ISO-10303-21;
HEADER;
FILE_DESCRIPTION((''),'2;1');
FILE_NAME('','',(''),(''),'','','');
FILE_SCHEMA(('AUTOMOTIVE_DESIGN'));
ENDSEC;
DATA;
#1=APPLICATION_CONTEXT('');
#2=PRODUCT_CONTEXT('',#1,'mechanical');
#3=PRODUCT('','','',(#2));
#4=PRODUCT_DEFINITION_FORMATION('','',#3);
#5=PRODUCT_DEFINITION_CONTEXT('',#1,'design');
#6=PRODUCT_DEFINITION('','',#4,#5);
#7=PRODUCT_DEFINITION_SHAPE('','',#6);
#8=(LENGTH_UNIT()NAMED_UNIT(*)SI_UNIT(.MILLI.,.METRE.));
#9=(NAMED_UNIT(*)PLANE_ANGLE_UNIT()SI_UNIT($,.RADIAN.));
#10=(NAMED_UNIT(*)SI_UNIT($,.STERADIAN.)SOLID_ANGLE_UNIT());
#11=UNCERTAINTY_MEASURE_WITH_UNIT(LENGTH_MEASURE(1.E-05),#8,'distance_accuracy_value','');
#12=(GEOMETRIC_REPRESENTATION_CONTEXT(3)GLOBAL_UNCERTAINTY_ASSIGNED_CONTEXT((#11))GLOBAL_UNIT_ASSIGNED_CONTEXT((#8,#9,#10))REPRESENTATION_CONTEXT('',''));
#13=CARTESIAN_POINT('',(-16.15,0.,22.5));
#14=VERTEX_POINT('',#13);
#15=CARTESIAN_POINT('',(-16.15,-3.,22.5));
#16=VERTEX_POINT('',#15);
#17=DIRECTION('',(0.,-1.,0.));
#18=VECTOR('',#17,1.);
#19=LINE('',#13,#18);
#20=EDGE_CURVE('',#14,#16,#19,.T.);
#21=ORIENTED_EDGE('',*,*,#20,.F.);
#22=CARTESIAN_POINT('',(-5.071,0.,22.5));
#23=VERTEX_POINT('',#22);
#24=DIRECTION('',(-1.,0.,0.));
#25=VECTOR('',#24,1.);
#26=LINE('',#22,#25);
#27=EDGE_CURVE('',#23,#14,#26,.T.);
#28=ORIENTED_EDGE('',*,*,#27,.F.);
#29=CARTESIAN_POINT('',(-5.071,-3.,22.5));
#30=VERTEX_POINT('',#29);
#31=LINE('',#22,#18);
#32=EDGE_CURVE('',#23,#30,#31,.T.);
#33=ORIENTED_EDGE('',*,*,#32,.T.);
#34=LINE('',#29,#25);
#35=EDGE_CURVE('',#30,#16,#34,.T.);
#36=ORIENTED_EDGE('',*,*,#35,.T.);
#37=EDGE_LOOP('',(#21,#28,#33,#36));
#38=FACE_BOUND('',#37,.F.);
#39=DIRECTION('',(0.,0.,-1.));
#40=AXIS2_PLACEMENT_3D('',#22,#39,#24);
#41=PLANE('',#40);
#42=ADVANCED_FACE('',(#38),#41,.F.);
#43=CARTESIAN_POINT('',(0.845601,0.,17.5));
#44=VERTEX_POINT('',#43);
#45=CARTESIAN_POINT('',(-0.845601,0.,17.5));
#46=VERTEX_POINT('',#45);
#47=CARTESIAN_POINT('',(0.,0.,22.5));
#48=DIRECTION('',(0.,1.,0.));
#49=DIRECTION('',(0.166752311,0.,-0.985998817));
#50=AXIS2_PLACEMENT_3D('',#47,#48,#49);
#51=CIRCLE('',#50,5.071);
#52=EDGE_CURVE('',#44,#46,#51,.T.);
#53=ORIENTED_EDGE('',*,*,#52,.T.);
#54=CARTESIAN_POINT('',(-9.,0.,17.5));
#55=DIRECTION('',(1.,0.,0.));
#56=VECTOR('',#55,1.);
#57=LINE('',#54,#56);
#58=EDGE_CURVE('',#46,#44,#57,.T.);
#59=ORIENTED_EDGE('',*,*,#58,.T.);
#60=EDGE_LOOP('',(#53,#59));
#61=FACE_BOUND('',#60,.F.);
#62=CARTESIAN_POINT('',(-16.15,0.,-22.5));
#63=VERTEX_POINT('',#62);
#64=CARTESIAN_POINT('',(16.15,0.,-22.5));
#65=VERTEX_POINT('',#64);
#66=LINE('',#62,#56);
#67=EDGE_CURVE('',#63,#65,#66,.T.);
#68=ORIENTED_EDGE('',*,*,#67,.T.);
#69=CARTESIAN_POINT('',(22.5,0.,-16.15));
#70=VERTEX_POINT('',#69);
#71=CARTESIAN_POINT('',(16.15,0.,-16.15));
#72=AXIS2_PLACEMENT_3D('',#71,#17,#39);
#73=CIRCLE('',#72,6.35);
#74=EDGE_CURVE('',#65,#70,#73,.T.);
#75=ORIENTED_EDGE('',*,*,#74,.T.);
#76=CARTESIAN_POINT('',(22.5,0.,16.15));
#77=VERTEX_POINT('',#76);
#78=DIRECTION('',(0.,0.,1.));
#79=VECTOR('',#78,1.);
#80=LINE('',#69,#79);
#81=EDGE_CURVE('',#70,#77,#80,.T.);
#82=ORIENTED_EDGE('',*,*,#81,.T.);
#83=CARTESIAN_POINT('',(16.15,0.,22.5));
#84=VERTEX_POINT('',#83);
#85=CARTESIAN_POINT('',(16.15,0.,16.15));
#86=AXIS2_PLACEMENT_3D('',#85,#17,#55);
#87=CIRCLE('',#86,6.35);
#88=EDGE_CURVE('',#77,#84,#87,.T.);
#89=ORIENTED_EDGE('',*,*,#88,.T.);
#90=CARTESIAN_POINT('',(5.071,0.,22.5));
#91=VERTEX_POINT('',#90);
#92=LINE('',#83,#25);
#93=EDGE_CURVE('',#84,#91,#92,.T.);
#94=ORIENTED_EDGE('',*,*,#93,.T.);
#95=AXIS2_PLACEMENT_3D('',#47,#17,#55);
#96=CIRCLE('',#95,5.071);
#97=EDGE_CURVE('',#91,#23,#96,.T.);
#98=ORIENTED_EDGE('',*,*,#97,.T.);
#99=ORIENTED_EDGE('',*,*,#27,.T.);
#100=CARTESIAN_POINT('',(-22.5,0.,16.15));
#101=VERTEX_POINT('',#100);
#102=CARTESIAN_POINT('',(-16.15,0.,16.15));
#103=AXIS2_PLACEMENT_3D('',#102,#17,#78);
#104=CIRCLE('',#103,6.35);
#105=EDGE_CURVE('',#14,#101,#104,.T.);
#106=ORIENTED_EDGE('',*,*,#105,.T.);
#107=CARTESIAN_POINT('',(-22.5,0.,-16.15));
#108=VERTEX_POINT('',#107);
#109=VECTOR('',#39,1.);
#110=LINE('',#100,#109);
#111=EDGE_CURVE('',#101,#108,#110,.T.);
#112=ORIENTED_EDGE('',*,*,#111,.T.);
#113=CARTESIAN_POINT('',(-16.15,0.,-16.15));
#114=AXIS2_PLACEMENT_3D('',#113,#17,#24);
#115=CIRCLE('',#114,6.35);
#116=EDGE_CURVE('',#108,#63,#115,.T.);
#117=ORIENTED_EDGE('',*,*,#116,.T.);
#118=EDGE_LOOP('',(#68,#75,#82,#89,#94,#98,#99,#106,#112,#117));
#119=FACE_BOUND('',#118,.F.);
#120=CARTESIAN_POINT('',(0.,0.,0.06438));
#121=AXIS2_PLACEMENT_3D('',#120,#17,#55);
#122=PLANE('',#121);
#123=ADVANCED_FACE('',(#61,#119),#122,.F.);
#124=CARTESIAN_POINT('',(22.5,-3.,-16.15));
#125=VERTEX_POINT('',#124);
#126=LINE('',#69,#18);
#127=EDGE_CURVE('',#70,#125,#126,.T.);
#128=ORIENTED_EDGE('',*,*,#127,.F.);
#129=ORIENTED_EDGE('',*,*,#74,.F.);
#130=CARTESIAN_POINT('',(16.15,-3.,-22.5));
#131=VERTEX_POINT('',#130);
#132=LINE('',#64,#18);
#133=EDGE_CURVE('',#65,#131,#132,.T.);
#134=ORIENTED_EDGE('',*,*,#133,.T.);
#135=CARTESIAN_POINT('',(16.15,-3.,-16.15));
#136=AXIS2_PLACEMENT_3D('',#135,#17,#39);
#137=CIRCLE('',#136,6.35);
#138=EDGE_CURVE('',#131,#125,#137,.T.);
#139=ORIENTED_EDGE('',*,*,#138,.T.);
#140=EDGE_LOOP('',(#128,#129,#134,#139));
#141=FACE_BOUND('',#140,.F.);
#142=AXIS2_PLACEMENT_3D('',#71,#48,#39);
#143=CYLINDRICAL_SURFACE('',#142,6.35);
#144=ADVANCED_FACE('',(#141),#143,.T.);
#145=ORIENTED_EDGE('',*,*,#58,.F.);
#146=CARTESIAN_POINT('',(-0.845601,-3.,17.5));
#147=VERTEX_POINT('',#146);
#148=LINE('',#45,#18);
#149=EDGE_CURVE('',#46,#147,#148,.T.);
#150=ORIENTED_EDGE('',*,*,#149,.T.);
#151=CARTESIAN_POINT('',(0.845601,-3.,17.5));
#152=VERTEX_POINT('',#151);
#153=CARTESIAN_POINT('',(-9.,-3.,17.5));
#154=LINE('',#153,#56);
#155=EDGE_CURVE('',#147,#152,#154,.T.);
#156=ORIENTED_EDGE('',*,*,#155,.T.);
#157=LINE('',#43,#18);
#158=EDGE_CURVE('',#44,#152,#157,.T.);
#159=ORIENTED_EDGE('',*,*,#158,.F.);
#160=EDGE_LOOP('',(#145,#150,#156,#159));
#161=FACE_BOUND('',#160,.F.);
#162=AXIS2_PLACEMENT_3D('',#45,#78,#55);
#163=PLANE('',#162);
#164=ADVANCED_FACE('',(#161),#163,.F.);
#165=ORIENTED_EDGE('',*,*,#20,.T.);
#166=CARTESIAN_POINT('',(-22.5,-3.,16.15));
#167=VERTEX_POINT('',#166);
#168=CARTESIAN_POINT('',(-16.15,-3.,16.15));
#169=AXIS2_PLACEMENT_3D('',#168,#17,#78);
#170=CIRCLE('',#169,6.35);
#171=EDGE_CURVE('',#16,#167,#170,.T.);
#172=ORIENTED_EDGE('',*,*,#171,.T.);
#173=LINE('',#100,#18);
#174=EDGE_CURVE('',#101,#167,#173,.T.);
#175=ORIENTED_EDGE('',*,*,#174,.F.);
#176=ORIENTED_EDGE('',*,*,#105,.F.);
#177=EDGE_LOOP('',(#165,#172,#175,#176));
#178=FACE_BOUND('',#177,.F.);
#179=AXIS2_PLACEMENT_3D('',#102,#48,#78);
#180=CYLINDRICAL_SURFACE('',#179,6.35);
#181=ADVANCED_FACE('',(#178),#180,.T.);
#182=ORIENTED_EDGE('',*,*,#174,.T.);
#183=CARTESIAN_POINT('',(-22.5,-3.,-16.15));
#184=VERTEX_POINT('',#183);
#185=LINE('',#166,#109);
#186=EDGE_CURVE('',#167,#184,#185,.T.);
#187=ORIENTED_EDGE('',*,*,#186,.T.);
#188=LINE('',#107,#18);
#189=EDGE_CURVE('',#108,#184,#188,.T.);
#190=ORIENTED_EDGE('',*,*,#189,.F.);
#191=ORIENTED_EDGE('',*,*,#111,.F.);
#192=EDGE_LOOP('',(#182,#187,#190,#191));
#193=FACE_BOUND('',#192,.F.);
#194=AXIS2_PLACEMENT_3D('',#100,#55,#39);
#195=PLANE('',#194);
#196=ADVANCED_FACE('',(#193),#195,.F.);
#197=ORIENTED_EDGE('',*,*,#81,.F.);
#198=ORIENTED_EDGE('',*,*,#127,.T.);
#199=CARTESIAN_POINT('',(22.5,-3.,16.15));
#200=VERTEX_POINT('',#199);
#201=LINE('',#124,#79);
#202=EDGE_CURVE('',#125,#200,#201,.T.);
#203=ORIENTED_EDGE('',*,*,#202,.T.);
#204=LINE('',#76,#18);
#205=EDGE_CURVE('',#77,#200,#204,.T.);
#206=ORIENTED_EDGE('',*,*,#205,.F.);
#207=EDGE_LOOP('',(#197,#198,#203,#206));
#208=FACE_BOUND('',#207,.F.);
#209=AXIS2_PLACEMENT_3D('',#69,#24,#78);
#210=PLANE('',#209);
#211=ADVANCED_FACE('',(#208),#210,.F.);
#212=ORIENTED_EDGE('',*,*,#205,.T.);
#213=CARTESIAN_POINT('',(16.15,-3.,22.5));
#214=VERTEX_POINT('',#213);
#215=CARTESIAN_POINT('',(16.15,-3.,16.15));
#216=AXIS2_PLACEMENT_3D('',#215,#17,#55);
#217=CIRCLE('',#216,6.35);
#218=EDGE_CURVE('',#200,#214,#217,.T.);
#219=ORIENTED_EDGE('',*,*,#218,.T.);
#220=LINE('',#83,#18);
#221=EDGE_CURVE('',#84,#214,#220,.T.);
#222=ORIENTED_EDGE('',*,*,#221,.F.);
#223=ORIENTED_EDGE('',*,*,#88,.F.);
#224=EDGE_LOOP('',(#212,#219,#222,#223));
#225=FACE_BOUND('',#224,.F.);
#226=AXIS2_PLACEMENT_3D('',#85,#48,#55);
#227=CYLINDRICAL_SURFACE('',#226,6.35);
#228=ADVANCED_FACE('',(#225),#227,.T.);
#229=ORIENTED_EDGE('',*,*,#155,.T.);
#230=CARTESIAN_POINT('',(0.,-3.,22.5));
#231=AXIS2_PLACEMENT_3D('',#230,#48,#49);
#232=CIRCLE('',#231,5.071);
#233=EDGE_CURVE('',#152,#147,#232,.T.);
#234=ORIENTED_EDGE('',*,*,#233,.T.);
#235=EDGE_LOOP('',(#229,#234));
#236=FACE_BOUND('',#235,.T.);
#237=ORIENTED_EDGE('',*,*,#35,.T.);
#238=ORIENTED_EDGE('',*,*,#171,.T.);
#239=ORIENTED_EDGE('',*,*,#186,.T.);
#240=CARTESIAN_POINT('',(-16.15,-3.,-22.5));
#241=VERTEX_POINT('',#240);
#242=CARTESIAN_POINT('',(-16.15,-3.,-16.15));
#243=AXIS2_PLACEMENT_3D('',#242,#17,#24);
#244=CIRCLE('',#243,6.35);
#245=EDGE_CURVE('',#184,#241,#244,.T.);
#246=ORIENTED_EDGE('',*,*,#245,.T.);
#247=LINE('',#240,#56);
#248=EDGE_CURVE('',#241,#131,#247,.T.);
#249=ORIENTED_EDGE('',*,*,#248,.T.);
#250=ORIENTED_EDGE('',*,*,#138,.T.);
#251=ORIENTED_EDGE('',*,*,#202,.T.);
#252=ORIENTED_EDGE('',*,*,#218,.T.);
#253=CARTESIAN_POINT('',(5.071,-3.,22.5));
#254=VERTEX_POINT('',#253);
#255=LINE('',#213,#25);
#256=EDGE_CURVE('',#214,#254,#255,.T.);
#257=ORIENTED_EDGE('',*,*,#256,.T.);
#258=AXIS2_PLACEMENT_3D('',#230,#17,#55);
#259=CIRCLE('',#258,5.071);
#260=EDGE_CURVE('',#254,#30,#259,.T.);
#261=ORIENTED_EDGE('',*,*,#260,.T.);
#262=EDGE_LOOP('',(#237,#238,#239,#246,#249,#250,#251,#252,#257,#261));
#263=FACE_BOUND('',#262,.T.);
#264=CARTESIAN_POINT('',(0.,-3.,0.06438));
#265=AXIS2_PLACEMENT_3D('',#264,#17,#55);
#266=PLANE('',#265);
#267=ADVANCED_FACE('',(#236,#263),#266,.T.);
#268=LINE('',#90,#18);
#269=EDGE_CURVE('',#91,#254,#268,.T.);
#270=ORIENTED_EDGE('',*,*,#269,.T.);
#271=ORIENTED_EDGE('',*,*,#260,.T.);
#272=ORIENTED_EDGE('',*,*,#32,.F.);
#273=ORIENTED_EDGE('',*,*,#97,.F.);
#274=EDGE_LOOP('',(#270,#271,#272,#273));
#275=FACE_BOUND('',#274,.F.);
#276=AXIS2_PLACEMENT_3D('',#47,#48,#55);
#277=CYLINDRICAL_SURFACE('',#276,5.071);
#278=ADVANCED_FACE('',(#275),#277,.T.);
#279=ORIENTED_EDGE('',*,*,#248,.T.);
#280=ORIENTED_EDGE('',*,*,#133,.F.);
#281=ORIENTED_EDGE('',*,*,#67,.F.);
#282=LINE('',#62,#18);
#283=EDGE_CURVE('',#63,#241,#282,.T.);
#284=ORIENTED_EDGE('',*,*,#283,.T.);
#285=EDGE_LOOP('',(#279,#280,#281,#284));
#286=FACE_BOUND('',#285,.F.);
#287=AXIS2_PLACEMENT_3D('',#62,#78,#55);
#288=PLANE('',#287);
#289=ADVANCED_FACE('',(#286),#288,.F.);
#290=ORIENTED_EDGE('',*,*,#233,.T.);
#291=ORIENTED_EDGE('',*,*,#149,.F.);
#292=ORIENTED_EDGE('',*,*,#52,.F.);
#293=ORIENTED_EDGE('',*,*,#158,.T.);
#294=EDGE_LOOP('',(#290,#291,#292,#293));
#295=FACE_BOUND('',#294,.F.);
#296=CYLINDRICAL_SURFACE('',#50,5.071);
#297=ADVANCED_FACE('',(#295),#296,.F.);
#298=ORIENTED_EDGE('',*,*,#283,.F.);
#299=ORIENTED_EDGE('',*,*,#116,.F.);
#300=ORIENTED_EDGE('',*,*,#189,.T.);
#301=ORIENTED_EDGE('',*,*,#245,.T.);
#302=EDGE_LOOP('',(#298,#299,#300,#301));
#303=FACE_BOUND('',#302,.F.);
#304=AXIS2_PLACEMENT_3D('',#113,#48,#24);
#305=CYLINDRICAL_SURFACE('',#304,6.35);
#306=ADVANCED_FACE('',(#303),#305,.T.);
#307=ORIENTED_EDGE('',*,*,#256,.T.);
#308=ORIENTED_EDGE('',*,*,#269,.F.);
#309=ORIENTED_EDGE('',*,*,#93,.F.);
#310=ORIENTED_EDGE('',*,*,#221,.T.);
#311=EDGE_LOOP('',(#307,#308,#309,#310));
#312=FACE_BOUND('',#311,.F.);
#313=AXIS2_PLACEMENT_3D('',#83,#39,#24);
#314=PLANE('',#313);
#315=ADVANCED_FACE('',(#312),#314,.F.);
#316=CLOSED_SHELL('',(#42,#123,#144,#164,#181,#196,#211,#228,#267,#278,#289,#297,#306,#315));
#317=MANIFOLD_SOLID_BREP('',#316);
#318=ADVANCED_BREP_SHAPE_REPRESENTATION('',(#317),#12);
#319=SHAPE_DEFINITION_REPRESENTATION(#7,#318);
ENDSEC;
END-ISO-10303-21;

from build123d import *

# Parameters (mm, degrees)
F1_DEPTH = 3
F2_DEPTH = 3


with BuildPart() as f1:
    # F0 (on Front) → F1 (new body)
    with BuildSketch(Plane.XZ):
        with BuildLine():
            ThreePointArc((22.5, 16.15), (20.6401280605, 20.6401280605), (16.15, 22.5))
            Line((16.15, 22.5), (5.071, 22.5))
            ThreePointArc((5.071, 22.5), (3.8731823813, 19.2268517844), (0.8456009697, 17.5))
            Line((0.8456009697, 17.5), (9, 17.5))
            Line((9, 17.5), (9, -17.5))
            Line((9, -17.5), (-9, -17.5))
            Line((-9, -17.5), (-9, 17.5))
            Line((-9, 17.5), (-0.8456009697, 17.5))
            ThreePointArc((-0.8456009697, 17.5), (-3.8731823813, 19.2268517844), (-5.071, 22.5))
            Line((-5.071, 22.5), (-16.15, 22.5))
            ThreePointArc((-16.15, 22.5), (-20.6401280605, 20.6401280605), (-22.5, 16.15))
            Line((-22.5, 16.15), (-22.5, -16.15))
            ThreePointArc((-22.5, -16.15), (-20.6401280605, -20.6401280605), (-16.15, -22.5))
            Line((-16.15, -22.5), (16.15, -22.5))
            ThreePointArc((16.15, -22.5), (20.6401280605, -20.6401280605), (22.5, -16.15))
            Line((22.5, -16.15), (22.5, 16.15))
        make_face()
        with BuildLine():
            Line((-5.071, 22.5), (5.071, 22.5))
            ThreePointArc((5.071, 22.5), (0, 27.571), (-5.071, 22.5))
        make_face()
        with BuildLine():
            ThreePointArc((0.8456009697, 17.5), (3.8731823813, 19.2268517844), (5.071, 22.5))
            Line((5.071, 22.5), (-5.071, 22.5))
            ThreePointArc((-5.071, 22.5), (-3.8731823813, 19.2268517844), (-0.8456009697, 17.5))
            Line((-0.8456009697, 17.5), (0.8456009697, 17.5))
        make_face()
    extrude(amount=F1_DEPTH)

    # F0 (on Front) → F2 (join)
    with BuildSketch(Plane.XZ):
        with BuildLine():
            ThreePointArc((0.8456009697, 17.5), (3.8731823813, 19.2268517844), (5.071, 22.5))
            Line((5.071, 22.5), (-5.071, 22.5))
            ThreePointArc((-5.071, 22.5), (-3.8731823813, 19.2268517844), (-0.8456009697, 17.5))
            Line((-0.8456009697, 17.5), (0.8456009697, 17.5))
        make_face()
        with BuildLine():
            ThreePointArc((22.5, 16.15), (20.6401280605, 20.6401280605), (16.15, 22.5))
            Line((16.15, 22.5), (5.071, 22.5))
            ThreePointArc((5.071, 22.5), (3.8731823813, 19.2268517844), (0.8456009697, 17.5))
            Line((0.8456009697, 17.5), (9, 17.5))
            Line((9, 17.5), (9, -17.5))
            Line((9, -17.5), (-9, -17.5))
            Line((-9, -17.5), (-9, 17.5))
            Line((-9, 17.5), (-0.8456009697, 17.5))
            ThreePointArc((-0.8456009697, 17.5), (-3.8731823813, 19.2268517844), (-5.071, 22.5))
            Line((-5.071, 22.5), (-16.15, 22.5))
            ThreePointArc((-16.15, 22.5), (-20.6401280605, 20.6401280605), (-22.5, 16.15))
            Line((-22.5, 16.15), (-22.5, -16.15))
            ThreePointArc((-22.5, -16.15), (-20.6401280605, -20.6401280605), (-16.15, -22.5))
            Line((-16.15, -22.5), (16.15, -22.5))
            ThreePointArc((16.15, -22.5), (20.6401280605, -20.6401280605), (22.5, -16.15))
            Line((22.5, -16.15), (22.5, 16.15))
        make_face()
        with BuildLine():
            Line((9, 17.5), (0.8456009697, 17.5))
            ThreePointArc((0.8456009697, 17.5), (0, 17.429), (-0.8456009697, 17.5))
            Line((-0.8456009697, 17.5), (-9, 17.5))
            Line((-9, 17.5), (-9, -17.5))
            Line((-9, -17.5), (9, -17.5))
            Line((9, -17.5), (9, 17.5))
        make_face()
        with BuildLine():
            Line((-5.071, 22.5), (5.071, 22.5))
            ThreePointArc((5.071, 22.5), (0, 27.571), (-5.071, 22.5))
        make_face()
    extrude(amount=F2_DEPTH)


solid = f1.part
